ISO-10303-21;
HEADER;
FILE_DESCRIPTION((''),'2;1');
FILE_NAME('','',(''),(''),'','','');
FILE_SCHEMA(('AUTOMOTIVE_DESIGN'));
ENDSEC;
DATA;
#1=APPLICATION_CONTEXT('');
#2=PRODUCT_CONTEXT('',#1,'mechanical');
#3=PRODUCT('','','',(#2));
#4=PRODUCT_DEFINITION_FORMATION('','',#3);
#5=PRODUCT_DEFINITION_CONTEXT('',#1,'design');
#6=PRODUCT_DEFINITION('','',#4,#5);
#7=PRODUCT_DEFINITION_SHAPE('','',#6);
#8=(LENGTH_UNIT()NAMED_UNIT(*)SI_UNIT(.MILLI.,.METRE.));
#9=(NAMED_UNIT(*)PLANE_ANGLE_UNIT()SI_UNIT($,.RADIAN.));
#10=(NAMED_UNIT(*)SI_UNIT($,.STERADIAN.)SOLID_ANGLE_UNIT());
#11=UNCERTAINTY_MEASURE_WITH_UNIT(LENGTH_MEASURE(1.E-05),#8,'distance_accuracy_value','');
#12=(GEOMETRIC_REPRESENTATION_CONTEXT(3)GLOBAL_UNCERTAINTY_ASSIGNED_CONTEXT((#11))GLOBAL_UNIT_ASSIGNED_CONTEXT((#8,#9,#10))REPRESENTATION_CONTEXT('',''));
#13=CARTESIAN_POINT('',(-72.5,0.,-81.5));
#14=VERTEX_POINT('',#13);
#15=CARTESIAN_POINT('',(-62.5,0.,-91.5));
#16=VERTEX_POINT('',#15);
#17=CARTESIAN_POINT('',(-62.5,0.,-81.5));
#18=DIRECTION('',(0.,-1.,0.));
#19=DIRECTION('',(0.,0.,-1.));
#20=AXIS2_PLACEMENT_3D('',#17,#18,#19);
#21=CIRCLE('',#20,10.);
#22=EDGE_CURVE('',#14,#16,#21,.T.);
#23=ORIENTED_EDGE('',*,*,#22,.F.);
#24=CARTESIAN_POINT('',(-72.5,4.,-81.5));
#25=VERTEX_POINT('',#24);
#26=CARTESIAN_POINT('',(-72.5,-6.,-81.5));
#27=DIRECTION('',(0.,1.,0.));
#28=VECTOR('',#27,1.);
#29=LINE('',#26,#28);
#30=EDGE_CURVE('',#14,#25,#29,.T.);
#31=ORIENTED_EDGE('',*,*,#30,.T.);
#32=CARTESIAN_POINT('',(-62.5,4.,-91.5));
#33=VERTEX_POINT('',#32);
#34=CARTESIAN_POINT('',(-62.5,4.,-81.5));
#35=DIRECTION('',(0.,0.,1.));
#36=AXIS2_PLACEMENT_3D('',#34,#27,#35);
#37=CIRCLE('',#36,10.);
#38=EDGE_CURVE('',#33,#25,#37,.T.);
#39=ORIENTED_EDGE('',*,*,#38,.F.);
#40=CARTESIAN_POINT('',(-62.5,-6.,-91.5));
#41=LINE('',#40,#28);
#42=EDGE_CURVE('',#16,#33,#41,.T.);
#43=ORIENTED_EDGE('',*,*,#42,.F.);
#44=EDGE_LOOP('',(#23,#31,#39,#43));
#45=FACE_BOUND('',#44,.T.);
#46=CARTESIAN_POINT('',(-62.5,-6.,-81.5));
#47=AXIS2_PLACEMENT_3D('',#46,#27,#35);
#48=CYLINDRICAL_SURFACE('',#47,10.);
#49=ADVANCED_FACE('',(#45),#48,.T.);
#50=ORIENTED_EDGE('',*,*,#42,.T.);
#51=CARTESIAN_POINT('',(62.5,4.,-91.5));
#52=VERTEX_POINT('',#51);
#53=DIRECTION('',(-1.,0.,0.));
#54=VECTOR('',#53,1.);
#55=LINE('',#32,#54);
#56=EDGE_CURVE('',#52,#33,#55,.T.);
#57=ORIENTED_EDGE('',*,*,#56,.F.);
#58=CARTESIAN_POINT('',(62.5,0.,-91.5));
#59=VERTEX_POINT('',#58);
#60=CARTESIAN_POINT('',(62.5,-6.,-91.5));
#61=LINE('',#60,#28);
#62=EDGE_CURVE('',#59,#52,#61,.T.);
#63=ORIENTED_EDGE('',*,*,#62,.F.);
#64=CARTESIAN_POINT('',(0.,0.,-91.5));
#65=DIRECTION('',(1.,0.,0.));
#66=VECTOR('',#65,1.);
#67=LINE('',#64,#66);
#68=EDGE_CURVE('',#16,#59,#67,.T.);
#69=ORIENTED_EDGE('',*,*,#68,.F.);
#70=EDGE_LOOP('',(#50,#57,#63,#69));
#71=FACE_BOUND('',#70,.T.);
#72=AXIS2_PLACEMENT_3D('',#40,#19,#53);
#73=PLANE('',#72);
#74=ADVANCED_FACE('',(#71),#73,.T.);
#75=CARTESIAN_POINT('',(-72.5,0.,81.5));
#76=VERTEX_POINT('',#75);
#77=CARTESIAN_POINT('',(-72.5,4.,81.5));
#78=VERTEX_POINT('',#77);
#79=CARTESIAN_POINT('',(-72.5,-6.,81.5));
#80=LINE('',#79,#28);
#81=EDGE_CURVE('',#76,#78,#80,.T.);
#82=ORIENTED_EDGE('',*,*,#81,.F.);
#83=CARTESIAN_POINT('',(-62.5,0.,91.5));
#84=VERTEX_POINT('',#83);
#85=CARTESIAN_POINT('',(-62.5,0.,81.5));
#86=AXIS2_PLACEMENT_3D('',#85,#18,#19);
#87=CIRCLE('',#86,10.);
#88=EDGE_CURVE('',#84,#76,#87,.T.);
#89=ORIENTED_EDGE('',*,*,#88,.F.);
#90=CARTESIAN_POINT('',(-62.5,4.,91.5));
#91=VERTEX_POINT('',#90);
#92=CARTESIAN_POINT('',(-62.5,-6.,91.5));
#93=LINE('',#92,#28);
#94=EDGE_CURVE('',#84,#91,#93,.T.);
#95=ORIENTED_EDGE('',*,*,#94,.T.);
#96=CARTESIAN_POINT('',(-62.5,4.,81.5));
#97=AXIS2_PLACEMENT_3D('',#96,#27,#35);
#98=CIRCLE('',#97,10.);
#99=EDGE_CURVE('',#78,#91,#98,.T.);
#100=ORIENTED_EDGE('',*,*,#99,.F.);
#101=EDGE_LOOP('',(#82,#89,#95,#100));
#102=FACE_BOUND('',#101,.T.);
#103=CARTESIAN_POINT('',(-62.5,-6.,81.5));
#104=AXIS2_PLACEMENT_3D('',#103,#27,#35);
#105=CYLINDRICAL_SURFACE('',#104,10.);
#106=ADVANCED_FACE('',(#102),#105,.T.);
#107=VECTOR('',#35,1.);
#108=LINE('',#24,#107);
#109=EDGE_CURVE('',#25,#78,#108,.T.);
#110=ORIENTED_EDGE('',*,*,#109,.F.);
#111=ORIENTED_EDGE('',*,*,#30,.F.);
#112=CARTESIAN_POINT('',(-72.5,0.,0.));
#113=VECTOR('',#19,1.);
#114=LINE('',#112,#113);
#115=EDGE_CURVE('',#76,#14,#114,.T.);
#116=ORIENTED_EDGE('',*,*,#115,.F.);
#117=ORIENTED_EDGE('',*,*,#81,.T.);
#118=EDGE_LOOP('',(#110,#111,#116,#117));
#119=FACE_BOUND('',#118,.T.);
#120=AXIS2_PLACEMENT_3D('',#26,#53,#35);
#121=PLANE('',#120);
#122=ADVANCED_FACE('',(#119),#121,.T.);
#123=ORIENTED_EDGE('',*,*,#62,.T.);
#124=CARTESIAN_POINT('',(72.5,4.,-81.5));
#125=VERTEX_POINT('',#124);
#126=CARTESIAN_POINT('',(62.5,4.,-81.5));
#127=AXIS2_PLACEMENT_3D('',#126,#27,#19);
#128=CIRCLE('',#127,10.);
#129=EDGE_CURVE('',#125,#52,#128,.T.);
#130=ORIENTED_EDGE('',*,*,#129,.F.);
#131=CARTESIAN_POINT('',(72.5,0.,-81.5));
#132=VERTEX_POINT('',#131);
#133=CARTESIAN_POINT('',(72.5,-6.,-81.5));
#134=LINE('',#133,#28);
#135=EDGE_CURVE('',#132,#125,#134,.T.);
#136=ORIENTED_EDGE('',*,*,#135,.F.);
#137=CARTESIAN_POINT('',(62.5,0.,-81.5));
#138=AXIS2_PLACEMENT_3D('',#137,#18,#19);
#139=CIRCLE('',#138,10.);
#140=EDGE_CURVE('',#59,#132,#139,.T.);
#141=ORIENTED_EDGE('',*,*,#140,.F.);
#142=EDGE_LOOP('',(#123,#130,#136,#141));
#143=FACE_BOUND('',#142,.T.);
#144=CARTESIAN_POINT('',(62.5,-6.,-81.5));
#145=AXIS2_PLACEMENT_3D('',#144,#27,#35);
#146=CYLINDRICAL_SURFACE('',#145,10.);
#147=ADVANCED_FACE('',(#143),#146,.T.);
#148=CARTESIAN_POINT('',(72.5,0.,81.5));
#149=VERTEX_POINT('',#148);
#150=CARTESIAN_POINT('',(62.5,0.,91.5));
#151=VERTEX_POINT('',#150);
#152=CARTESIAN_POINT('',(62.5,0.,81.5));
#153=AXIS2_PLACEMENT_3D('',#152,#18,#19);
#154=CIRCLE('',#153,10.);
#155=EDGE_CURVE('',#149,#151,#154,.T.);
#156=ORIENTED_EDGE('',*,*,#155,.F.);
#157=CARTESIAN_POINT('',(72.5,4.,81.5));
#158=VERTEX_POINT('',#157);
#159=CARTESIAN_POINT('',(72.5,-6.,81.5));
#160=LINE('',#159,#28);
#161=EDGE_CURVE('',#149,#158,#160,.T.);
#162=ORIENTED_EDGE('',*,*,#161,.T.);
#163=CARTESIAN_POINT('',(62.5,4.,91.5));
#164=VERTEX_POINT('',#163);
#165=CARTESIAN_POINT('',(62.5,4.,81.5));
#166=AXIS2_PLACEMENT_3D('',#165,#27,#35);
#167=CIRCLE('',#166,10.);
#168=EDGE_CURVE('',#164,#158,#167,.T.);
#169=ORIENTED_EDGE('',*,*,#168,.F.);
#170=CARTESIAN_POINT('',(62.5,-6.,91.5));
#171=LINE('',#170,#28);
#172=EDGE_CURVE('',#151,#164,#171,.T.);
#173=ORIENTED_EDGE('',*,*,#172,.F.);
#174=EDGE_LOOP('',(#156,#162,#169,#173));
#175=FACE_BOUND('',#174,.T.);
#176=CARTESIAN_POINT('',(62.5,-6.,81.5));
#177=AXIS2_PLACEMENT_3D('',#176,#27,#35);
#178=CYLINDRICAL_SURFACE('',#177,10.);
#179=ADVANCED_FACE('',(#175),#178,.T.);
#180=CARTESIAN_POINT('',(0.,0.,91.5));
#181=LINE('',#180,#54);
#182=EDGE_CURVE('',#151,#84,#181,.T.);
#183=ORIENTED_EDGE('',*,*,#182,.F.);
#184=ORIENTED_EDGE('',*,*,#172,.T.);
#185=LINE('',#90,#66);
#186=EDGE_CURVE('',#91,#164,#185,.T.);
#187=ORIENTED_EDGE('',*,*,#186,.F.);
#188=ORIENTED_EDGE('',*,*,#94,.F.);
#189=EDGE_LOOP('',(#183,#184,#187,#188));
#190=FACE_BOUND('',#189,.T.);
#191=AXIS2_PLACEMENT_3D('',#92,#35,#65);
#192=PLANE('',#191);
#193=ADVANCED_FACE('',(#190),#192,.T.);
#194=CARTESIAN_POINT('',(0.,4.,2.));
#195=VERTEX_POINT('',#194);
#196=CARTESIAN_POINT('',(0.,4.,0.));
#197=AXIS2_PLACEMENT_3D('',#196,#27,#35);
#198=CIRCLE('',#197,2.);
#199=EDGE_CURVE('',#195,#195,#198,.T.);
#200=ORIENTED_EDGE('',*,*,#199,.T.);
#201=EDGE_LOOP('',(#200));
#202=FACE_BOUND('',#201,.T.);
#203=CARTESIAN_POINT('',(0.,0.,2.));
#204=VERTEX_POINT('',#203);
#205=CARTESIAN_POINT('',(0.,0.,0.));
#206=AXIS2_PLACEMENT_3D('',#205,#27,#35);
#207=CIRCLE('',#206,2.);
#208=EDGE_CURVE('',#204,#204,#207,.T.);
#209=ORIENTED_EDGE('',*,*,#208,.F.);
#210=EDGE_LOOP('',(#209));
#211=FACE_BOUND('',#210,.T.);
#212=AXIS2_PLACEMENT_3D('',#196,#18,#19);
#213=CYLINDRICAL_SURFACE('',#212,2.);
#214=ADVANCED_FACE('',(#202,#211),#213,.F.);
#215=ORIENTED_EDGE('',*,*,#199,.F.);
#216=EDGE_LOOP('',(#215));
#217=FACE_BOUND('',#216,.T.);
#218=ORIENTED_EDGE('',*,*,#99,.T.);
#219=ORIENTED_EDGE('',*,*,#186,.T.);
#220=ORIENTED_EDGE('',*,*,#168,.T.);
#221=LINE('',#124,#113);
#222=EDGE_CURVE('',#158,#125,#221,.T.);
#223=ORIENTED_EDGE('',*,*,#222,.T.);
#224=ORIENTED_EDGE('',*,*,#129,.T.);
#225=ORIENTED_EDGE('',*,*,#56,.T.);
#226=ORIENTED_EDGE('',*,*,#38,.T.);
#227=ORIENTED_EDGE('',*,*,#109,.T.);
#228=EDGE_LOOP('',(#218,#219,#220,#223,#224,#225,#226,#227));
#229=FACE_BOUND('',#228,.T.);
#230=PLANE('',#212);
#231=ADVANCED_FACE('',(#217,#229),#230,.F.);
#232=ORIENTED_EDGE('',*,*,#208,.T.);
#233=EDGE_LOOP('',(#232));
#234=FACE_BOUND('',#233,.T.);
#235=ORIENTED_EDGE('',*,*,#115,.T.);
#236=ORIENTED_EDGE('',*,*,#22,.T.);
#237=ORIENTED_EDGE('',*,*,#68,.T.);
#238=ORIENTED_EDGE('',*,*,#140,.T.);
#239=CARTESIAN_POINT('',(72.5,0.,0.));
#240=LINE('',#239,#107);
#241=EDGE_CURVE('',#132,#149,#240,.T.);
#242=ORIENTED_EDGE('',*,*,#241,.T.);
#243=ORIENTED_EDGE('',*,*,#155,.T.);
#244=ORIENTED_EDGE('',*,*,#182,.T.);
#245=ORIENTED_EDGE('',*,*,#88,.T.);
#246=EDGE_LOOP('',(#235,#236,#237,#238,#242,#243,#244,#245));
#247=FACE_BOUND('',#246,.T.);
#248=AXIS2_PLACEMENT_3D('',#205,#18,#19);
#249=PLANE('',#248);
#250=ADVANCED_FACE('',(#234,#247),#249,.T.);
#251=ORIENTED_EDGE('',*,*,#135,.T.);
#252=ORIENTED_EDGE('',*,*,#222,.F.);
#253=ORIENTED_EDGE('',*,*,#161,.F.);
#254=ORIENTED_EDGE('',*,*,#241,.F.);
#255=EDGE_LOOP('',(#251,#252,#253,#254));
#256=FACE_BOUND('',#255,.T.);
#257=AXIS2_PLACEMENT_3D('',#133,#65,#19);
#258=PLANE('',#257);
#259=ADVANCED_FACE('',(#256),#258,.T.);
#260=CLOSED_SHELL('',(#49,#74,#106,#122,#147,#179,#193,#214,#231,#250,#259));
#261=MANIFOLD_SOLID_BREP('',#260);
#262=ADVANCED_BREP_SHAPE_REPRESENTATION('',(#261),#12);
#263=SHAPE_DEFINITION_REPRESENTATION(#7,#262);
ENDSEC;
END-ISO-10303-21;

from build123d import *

# Parameters (mm, degrees)
SKETCH1_W           = 200
SKETCH1_H           = 200
SKETCH1_R           = 2
BOSS_EXTRUDE1_DEPTH = 4
FILLET1_R           = 10
SKETCH2_W           = 332.366301243
SKETCH2_H           = 358.749780036
CUT_EXTRUDE1_DEPTH  = 10


with BuildPart() as part:
    # Sketch1 → Boss-Extrude1 (new body)
    with BuildSketch(Plane(origin=(0, 0, 0), x_dir=(1, 0, 0), z_dir=(0, 1, 0))):
        Rectangle(SKETCH1_W, SKETCH1_H)
        Circle(SKETCH1_R, mode=Mode.SUBTRACT)
    extrude(amount=BOSS_EXTRUDE1_DEPTH)

    # Fillet1
    fillet1_edges = [part.edges().sort_by_distance(p)[0] for p in [
        (-100, 2, -100),
        (100, 2, -100),
        (100, 2, 100),
        (-100, 2, 100),
    ]]
    fillet(fillet1_edges, radius=FILLET1_R)

    # Sketch2 → Cut-Extrude1 (cut)
    with BuildSketch(Plane(origin=(0, 4, 0), x_dir=(1, 0, 0), z_dir=(0, 1, 0))):
        with Locations((1.781411531, 2.248264207)):
            Rectangle(SKETCH2_W, SKETCH2_H)
        with BuildLine():
            Line((-62.5, 91.5), (62.5, 91.5))
            ThreePointArc((62.5, 91.5), (69.571067812, 88.571067812), (72.5, 81.5))
            Line((72.5, 81.5), (72.5, -81.5))
            ThreePointArc((72.5, -81.5), (69.571067812, -88.571067812), (62.5, -91.5))
            Line((62.5, -91.5), (-62.5, -91.5))
            ThreePointArc((-62.5, -91.5), (-69.571067812, -88.571067812), (-72.5, -81.5))
            Line((-72.5, -81.5), (-72.5, 81.5))
            ThreePointArc((-72.5, 81.5), (-69.571067812, 88.571067812), (-62.5, 91.5))
        make_face(mode=Mode.SUBTRACT)
    extrude(amount=-CUT_EXTRUDE1_DEPTH, mode=Mode.SUBTRACT)


solid = part.part
